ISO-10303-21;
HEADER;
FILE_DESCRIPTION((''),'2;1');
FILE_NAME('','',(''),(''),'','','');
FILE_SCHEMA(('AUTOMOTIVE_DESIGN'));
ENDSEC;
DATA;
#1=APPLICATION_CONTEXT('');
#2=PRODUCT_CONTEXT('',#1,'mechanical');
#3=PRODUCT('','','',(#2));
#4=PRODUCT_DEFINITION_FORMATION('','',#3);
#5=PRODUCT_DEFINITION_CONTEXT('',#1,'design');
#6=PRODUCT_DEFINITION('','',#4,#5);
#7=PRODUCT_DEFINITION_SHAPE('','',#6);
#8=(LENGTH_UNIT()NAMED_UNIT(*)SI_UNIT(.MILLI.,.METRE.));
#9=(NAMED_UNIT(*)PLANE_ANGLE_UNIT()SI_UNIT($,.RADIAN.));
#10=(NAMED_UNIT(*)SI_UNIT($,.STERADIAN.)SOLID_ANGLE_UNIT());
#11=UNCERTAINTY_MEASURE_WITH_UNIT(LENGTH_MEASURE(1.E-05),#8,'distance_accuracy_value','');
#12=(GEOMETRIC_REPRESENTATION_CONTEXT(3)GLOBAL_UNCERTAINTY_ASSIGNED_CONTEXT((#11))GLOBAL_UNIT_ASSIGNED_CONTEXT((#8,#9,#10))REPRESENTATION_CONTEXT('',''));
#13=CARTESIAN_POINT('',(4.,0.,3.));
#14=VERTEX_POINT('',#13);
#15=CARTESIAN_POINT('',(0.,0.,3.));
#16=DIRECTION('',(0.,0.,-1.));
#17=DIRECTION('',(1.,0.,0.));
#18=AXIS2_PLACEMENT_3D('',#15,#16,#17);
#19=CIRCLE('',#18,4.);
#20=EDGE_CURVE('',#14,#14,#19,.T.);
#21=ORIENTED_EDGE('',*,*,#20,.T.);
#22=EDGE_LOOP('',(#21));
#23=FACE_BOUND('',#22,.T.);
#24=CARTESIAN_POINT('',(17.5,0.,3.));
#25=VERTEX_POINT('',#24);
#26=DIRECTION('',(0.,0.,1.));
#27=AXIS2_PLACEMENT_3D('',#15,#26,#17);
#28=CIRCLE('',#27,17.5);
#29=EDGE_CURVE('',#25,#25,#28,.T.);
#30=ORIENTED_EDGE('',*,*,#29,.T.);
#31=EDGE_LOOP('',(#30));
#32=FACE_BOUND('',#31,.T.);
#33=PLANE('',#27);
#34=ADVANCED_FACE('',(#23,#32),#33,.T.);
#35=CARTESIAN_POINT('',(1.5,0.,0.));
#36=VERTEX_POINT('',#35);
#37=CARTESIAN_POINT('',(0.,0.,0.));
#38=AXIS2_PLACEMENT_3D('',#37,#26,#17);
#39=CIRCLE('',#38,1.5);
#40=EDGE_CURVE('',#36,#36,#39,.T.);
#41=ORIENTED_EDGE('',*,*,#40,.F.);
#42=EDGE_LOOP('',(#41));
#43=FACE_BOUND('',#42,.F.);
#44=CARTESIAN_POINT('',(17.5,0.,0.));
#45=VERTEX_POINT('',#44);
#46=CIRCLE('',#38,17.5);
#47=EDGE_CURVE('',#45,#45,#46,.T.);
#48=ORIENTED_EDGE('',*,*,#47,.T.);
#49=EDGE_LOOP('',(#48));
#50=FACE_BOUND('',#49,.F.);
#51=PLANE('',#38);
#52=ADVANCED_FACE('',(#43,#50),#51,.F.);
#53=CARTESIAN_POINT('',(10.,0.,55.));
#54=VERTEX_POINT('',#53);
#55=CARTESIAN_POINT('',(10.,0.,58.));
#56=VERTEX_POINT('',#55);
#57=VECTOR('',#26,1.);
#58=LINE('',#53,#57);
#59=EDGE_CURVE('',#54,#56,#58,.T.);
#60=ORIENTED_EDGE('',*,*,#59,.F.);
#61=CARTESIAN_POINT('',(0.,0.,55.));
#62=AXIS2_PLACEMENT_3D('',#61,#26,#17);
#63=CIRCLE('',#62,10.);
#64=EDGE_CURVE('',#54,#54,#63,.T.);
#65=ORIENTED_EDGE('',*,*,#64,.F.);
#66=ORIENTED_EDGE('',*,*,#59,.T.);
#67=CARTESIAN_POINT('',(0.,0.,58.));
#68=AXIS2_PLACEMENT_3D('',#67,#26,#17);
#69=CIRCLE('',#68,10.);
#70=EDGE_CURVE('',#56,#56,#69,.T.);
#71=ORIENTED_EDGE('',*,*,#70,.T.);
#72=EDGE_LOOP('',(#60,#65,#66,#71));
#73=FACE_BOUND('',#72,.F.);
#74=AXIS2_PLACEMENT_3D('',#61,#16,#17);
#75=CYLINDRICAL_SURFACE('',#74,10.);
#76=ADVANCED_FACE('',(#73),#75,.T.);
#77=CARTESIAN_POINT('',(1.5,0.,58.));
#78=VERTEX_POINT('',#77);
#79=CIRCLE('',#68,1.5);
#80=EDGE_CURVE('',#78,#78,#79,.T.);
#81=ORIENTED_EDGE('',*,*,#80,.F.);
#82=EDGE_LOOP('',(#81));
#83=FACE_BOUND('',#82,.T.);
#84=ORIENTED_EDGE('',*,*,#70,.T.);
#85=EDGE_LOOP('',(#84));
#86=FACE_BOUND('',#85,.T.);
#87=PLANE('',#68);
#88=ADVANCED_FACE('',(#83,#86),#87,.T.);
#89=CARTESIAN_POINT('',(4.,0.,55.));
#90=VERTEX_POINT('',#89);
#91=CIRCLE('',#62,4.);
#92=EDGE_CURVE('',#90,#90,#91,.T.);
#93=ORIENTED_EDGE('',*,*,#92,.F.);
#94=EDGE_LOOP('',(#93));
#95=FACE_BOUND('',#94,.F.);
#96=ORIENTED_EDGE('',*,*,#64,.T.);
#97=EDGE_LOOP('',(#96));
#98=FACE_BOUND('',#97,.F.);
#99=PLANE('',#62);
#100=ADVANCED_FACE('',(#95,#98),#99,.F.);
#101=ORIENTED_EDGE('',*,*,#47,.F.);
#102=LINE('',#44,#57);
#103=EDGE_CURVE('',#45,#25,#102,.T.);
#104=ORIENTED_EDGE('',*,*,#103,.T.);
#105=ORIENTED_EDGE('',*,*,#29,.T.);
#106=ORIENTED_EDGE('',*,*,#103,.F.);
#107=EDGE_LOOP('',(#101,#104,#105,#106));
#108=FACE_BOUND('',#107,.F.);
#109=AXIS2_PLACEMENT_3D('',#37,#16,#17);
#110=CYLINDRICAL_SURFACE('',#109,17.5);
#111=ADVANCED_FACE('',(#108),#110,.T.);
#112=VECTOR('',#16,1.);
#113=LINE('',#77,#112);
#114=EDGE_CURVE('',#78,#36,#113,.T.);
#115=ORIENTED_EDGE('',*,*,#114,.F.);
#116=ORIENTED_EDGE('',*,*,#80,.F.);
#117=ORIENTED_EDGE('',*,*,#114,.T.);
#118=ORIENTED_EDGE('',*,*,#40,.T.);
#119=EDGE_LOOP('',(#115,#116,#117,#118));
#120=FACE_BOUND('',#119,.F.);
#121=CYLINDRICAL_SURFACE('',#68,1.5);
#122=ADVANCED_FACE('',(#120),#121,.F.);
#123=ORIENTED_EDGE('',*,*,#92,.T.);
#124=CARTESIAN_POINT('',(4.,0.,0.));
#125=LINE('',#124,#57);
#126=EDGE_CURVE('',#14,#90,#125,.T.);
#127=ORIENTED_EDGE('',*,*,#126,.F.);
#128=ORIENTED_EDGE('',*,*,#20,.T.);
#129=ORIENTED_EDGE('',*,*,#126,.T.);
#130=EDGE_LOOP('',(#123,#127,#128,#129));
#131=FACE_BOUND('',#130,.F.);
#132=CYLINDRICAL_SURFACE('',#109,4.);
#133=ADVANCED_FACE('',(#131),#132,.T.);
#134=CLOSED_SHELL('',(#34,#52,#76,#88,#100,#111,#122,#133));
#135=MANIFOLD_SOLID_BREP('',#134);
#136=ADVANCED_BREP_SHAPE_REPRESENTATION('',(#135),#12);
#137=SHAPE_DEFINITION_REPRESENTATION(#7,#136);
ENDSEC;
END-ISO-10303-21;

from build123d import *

# Parameters (mm, degrees)
F0_R     = 17.5
F0_R_2   = 4
F1_DEPTH = 3
F2_DEPTH = 55
F3_R     = 10
F3_R_2   = 4
F4_DEPTH = 3
F5_R     = 1.5
F6_DEPTH = 58.001


with BuildPart() as f1:
    # F0 (on Top) → F1 (new body)
    with BuildSketch(Plane.XY):
        Circle(F0_R)
        Circle(F0_R_2, mode=Mode.SUBTRACT)
        Circle(F0_R_2)
    extrude(amount=F1_DEPTH)

    # F0 (on Top) → F2 (join)
    with BuildSketch(Plane.XY):
        Circle(F0_R_2)
    extrude(amount=F2_DEPTH)

    # F3 (on face) → F4 (join)
    with BuildSketch(Plane.XY.offset(55)):
        Circle(F3_R)
        Circle(F3_R_2)
    extrude(amount=F4_DEPTH)

    # F5 (on face) → F6 (cut, through all)
    with BuildSketch(Plane.XY.offset(58)):
        Circle(F5_R)
    extrude(amount=-F6_DEPTH, mode=Mode.SUBTRACT)


solid = f1.part
